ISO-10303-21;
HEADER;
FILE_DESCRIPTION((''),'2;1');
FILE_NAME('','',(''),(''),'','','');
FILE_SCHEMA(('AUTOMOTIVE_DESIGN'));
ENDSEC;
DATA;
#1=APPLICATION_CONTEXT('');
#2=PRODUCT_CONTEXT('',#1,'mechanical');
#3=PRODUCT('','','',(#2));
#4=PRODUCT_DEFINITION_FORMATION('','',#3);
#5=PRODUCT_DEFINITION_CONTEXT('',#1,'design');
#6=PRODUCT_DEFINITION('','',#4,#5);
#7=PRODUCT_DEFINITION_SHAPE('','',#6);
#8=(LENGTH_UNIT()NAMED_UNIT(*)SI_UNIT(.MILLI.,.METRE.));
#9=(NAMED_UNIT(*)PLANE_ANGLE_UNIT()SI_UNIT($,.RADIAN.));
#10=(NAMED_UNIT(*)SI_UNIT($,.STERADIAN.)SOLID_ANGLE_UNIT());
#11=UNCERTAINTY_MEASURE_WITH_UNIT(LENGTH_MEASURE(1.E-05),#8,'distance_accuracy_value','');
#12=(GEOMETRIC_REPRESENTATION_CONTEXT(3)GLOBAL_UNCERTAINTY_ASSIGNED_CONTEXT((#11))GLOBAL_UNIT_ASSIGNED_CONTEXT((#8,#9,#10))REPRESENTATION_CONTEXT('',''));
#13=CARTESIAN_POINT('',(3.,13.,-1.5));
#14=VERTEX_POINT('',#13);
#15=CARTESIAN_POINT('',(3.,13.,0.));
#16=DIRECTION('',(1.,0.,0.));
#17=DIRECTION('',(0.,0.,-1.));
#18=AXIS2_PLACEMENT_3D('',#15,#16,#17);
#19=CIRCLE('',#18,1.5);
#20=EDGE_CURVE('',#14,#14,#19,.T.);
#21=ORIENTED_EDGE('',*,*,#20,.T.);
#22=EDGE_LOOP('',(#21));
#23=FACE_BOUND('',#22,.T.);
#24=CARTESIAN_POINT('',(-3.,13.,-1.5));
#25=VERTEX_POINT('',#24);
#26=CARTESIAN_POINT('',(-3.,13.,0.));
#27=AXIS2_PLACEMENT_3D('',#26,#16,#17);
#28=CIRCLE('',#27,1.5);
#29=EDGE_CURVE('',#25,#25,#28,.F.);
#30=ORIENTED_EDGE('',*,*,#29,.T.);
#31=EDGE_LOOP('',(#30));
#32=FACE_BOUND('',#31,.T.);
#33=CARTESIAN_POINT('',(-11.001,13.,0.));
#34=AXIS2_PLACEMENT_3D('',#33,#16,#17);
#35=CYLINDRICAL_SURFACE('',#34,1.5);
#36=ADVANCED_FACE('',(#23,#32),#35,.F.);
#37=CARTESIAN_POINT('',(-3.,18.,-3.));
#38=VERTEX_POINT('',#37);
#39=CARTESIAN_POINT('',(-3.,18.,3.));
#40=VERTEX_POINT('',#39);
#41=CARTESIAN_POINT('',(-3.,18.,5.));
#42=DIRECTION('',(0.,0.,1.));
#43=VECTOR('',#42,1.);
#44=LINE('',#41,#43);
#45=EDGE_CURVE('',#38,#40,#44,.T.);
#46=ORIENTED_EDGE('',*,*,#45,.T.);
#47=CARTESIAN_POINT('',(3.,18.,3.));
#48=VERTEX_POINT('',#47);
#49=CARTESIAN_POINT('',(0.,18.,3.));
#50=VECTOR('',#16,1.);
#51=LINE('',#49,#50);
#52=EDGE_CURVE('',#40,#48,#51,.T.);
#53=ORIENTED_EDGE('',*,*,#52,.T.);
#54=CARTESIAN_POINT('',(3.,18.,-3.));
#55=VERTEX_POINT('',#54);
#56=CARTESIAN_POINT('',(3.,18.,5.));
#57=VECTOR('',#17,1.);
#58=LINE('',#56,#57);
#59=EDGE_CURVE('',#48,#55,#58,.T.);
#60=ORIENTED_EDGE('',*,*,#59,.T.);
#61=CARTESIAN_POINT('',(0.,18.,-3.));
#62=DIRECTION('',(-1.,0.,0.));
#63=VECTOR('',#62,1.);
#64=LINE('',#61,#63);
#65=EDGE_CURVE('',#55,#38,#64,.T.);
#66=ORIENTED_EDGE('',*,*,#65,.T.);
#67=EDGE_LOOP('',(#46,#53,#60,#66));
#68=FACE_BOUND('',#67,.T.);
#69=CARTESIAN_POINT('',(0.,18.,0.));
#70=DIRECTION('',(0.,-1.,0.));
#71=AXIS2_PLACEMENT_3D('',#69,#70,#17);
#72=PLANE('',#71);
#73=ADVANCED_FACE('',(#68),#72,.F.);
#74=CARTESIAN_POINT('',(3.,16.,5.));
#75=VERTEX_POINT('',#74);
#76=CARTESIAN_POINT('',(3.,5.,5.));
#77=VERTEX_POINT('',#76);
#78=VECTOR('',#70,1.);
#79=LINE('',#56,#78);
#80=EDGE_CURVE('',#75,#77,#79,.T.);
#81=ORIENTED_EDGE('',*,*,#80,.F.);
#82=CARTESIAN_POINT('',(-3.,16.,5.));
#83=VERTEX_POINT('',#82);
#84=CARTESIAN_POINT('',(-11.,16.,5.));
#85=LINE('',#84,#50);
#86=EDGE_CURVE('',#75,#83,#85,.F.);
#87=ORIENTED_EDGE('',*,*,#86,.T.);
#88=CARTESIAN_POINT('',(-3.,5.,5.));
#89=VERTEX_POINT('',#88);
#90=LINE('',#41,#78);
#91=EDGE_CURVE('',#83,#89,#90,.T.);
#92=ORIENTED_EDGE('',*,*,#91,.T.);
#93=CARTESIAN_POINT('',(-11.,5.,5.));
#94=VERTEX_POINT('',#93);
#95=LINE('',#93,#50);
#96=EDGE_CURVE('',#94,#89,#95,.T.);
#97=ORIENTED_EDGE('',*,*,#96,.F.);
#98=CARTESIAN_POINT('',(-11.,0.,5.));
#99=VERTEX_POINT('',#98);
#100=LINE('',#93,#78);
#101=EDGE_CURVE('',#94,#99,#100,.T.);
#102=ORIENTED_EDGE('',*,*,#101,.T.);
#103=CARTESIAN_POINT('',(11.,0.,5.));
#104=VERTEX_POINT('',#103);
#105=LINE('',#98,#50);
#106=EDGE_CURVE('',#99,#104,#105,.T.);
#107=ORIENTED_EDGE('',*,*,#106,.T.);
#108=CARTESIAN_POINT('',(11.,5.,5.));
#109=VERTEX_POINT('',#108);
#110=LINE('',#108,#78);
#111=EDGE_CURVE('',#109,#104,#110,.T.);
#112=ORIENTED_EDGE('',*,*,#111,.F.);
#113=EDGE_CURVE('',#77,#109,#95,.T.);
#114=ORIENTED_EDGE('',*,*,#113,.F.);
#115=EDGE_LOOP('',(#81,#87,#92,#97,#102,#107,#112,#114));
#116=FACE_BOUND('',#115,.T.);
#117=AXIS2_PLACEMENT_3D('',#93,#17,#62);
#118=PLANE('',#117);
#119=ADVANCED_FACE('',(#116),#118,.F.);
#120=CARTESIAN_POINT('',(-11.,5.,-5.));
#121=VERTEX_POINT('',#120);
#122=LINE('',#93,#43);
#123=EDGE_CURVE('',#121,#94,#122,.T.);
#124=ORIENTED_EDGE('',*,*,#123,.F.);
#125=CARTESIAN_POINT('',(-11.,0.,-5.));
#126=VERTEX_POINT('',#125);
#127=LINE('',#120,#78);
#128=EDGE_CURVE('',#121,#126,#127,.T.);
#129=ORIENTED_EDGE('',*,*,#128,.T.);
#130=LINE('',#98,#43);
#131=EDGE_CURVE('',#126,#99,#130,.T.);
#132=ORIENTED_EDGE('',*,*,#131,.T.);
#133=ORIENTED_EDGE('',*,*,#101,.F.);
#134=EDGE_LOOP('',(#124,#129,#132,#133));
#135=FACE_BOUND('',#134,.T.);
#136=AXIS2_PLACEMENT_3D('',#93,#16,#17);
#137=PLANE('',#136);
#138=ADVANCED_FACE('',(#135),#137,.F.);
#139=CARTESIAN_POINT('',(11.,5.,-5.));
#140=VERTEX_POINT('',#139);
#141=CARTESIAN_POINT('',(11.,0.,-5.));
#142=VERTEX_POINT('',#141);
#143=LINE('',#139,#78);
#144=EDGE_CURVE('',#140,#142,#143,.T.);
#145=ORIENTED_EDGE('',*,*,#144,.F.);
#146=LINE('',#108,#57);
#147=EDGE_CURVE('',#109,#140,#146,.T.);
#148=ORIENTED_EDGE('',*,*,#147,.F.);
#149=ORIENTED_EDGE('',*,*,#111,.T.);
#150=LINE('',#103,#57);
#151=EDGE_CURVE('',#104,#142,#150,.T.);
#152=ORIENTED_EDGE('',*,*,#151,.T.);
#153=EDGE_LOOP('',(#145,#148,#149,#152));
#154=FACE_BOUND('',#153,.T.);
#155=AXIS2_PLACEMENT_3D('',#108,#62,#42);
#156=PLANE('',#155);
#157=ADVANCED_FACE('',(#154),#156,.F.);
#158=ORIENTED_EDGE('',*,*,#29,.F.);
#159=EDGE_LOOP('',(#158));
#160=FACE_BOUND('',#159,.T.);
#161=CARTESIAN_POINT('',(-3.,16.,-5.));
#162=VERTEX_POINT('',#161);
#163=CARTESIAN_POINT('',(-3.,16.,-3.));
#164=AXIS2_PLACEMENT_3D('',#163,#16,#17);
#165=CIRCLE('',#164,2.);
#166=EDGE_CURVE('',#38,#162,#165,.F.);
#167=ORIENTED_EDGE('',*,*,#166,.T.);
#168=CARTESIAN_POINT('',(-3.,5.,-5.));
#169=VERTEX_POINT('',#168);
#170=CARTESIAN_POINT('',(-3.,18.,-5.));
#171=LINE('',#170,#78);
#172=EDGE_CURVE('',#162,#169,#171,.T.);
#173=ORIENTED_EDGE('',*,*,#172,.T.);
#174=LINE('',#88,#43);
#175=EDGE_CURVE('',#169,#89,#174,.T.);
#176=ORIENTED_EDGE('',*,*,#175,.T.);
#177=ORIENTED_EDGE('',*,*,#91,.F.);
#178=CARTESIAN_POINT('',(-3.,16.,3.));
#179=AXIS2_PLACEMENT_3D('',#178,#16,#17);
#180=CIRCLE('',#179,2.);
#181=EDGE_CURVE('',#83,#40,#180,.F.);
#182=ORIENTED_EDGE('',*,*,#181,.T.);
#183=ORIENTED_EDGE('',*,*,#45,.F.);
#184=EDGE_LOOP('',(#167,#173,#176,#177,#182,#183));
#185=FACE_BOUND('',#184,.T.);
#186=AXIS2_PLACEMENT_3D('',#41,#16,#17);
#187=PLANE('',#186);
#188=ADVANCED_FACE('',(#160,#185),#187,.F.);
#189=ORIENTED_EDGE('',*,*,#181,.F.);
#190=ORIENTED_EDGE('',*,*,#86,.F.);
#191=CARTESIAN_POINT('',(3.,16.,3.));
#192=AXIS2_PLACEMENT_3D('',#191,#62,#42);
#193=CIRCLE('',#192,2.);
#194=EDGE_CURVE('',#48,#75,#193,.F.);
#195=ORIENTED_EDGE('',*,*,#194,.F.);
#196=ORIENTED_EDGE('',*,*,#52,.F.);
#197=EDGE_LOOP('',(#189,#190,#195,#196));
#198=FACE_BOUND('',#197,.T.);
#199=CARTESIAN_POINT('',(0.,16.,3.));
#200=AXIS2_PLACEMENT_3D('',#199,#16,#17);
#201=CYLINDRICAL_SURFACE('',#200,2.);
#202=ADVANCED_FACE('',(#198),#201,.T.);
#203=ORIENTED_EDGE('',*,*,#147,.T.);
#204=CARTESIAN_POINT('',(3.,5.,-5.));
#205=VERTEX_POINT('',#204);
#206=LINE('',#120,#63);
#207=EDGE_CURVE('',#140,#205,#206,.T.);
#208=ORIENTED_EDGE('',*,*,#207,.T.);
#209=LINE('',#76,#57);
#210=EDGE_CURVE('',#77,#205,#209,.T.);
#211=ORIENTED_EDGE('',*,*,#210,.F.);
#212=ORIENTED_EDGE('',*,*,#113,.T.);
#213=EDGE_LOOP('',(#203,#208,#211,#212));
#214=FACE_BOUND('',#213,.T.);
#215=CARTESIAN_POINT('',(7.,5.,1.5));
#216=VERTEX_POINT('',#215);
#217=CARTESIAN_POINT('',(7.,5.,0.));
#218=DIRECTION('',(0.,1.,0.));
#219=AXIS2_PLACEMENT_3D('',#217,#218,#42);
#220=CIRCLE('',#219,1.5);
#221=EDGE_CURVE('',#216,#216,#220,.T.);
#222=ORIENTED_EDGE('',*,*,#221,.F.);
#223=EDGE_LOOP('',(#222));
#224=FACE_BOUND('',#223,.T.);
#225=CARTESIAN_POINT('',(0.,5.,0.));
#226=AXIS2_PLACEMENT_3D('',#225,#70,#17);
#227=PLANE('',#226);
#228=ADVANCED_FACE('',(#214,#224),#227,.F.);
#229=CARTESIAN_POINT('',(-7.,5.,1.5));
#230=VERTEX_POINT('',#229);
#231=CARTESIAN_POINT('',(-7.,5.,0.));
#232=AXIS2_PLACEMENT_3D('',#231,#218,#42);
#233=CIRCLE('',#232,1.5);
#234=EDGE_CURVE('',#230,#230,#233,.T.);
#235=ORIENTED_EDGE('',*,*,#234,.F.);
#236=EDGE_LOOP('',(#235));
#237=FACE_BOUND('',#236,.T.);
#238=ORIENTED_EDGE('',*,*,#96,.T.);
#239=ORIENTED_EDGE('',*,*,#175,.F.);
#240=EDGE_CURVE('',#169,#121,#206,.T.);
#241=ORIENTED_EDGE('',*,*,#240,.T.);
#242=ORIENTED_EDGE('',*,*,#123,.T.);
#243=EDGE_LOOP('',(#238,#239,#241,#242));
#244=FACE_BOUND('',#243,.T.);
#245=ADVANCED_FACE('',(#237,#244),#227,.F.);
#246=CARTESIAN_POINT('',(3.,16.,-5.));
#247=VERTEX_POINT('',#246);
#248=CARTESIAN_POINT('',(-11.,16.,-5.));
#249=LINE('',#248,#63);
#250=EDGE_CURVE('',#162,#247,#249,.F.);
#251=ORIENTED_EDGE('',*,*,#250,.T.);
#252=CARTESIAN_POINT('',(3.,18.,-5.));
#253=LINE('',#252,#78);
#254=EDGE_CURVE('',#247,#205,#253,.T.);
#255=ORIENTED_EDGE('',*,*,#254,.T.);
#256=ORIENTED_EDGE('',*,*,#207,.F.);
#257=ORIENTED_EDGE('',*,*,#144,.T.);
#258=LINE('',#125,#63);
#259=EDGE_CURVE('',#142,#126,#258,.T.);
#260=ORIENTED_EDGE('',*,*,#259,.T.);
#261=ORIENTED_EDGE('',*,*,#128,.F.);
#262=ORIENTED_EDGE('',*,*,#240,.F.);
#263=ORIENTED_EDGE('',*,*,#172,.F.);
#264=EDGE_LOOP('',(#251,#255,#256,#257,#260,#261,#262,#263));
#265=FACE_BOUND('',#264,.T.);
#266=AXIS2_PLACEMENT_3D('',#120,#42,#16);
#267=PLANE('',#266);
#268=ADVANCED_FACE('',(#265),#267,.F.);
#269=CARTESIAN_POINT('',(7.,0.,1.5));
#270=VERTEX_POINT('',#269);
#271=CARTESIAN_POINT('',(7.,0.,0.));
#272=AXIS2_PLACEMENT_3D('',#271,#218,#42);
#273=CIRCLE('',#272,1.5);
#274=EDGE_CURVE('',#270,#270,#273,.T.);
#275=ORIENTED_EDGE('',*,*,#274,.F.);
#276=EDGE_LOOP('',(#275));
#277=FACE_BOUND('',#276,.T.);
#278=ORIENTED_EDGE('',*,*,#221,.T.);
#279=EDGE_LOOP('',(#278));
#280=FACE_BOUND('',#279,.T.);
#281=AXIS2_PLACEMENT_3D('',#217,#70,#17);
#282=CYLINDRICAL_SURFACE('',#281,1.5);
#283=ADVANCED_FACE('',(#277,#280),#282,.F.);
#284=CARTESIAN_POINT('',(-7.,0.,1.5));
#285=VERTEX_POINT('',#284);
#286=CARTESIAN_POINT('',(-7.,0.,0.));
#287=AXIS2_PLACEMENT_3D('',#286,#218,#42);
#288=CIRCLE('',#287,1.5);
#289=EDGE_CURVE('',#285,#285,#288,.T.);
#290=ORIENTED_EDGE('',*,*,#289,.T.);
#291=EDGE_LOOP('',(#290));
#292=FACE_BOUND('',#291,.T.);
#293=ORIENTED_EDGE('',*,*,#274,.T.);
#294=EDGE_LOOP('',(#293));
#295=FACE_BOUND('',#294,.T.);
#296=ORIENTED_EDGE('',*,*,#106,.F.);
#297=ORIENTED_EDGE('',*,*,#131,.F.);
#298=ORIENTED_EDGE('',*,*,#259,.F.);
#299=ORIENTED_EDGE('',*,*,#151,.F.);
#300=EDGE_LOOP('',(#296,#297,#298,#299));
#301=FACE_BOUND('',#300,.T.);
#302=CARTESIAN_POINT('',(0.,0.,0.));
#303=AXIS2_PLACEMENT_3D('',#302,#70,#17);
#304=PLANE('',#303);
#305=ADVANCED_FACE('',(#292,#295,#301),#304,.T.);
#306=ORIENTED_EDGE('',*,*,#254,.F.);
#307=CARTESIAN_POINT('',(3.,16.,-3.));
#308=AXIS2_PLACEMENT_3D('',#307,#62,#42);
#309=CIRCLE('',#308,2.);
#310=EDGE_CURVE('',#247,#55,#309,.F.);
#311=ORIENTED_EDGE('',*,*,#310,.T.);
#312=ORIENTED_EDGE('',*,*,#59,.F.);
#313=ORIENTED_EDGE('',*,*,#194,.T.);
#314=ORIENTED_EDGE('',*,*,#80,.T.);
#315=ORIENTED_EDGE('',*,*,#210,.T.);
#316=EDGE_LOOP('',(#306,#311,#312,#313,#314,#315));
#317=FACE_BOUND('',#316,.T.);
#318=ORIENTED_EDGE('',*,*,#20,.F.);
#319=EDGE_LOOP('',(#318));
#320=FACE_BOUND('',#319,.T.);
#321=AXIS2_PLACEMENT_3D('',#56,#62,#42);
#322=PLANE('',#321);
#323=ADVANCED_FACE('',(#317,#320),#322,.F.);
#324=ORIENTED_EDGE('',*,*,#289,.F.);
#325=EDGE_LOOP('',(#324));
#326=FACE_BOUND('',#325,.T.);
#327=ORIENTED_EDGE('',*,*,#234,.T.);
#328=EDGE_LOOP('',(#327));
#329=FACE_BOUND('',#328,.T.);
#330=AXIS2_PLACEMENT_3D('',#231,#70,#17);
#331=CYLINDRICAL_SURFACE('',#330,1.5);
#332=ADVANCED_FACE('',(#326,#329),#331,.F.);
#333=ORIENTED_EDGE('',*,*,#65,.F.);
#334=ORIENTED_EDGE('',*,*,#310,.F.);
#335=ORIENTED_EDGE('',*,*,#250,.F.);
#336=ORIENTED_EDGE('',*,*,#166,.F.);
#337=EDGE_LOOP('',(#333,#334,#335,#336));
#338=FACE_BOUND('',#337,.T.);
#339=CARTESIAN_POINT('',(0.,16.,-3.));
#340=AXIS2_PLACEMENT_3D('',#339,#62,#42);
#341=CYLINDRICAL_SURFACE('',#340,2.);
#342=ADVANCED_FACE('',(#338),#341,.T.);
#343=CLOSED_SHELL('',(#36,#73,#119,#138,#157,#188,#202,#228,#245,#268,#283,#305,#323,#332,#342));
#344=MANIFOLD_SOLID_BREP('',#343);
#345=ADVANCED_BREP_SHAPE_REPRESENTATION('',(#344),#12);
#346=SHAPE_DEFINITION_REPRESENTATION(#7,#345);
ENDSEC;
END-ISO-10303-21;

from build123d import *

# Parameters (mm, degrees)
SKETCH1_W           = 22
SKETCH1_H           = 10
SKETCH1_R           = 1.5
BOSS_EXTRUDE1_DEPTH = 5
SKETCH4_W           = 6
SKETCH4_H           = 10
BOSS_EXTRUDE3_DEPTH = 13
CUT_EXTRUDE1_REACH  = 16
SKETCH5_R           = 1.5
FILLET1_R           = 2


with BuildPart() as part:
    # Sketch1 → Boss-Extrude1 (new body)
    with BuildSketch(Plane(origin=(0, 0, 0), x_dir=(1, 0, 0), z_dir=(0, 1, 0))):
        Rectangle(SKETCH1_W, SKETCH1_H)
        with Locations((-7, 0)):
            Circle(SKETCH1_R, mode=Mode.SUBTRACT)
        with Locations((7, 0)):
            Circle(SKETCH1_R, mode=Mode.SUBTRACT)
    extrude(amount=BOSS_EXTRUDE1_DEPTH)

    # Sketch4 → Boss-Extrude3 (add)
    with BuildSketch(Plane(origin=(0, 5, 0), x_dir=(1, 0, 0), z_dir=(0, 1, 0))):
        Rectangle(SKETCH4_W, SKETCH4_H)
    extrude(amount=BOSS_EXTRUDE3_DEPTH)

    # Sketch5 → Cut-Extrude1 (cut, up to next)
    with BuildSketch(Plane(origin=(3, 0, 0), x_dir=(0, 0, -1), z_dir=(1, 0, 0)), mode=Mode.PRIVATE) as cut_extrude1_sk1:
        with Locations((0, 13)):
            Circle(SKETCH5_R)
    cut_extrude1_tool1 = extrude(cut_extrude1_sk1.sketch, amount=-CUT_EXTRUDE1_REACH, mode=Mode.PRIVATE) & part.part
    add(cut_extrude1_tool1.solids().sort_by_distance((3, 13, 0))[0], mode=Mode.SUBTRACT)

    # Fillet1
    fillet1_edges = [part.edges().sort_by_distance(p)[0] for p in [
        (0, 18, -5),
        (0, 18, 5),
    ]]
    fillet(fillet1_edges, radius=FILLET1_R)


solid = part.part
